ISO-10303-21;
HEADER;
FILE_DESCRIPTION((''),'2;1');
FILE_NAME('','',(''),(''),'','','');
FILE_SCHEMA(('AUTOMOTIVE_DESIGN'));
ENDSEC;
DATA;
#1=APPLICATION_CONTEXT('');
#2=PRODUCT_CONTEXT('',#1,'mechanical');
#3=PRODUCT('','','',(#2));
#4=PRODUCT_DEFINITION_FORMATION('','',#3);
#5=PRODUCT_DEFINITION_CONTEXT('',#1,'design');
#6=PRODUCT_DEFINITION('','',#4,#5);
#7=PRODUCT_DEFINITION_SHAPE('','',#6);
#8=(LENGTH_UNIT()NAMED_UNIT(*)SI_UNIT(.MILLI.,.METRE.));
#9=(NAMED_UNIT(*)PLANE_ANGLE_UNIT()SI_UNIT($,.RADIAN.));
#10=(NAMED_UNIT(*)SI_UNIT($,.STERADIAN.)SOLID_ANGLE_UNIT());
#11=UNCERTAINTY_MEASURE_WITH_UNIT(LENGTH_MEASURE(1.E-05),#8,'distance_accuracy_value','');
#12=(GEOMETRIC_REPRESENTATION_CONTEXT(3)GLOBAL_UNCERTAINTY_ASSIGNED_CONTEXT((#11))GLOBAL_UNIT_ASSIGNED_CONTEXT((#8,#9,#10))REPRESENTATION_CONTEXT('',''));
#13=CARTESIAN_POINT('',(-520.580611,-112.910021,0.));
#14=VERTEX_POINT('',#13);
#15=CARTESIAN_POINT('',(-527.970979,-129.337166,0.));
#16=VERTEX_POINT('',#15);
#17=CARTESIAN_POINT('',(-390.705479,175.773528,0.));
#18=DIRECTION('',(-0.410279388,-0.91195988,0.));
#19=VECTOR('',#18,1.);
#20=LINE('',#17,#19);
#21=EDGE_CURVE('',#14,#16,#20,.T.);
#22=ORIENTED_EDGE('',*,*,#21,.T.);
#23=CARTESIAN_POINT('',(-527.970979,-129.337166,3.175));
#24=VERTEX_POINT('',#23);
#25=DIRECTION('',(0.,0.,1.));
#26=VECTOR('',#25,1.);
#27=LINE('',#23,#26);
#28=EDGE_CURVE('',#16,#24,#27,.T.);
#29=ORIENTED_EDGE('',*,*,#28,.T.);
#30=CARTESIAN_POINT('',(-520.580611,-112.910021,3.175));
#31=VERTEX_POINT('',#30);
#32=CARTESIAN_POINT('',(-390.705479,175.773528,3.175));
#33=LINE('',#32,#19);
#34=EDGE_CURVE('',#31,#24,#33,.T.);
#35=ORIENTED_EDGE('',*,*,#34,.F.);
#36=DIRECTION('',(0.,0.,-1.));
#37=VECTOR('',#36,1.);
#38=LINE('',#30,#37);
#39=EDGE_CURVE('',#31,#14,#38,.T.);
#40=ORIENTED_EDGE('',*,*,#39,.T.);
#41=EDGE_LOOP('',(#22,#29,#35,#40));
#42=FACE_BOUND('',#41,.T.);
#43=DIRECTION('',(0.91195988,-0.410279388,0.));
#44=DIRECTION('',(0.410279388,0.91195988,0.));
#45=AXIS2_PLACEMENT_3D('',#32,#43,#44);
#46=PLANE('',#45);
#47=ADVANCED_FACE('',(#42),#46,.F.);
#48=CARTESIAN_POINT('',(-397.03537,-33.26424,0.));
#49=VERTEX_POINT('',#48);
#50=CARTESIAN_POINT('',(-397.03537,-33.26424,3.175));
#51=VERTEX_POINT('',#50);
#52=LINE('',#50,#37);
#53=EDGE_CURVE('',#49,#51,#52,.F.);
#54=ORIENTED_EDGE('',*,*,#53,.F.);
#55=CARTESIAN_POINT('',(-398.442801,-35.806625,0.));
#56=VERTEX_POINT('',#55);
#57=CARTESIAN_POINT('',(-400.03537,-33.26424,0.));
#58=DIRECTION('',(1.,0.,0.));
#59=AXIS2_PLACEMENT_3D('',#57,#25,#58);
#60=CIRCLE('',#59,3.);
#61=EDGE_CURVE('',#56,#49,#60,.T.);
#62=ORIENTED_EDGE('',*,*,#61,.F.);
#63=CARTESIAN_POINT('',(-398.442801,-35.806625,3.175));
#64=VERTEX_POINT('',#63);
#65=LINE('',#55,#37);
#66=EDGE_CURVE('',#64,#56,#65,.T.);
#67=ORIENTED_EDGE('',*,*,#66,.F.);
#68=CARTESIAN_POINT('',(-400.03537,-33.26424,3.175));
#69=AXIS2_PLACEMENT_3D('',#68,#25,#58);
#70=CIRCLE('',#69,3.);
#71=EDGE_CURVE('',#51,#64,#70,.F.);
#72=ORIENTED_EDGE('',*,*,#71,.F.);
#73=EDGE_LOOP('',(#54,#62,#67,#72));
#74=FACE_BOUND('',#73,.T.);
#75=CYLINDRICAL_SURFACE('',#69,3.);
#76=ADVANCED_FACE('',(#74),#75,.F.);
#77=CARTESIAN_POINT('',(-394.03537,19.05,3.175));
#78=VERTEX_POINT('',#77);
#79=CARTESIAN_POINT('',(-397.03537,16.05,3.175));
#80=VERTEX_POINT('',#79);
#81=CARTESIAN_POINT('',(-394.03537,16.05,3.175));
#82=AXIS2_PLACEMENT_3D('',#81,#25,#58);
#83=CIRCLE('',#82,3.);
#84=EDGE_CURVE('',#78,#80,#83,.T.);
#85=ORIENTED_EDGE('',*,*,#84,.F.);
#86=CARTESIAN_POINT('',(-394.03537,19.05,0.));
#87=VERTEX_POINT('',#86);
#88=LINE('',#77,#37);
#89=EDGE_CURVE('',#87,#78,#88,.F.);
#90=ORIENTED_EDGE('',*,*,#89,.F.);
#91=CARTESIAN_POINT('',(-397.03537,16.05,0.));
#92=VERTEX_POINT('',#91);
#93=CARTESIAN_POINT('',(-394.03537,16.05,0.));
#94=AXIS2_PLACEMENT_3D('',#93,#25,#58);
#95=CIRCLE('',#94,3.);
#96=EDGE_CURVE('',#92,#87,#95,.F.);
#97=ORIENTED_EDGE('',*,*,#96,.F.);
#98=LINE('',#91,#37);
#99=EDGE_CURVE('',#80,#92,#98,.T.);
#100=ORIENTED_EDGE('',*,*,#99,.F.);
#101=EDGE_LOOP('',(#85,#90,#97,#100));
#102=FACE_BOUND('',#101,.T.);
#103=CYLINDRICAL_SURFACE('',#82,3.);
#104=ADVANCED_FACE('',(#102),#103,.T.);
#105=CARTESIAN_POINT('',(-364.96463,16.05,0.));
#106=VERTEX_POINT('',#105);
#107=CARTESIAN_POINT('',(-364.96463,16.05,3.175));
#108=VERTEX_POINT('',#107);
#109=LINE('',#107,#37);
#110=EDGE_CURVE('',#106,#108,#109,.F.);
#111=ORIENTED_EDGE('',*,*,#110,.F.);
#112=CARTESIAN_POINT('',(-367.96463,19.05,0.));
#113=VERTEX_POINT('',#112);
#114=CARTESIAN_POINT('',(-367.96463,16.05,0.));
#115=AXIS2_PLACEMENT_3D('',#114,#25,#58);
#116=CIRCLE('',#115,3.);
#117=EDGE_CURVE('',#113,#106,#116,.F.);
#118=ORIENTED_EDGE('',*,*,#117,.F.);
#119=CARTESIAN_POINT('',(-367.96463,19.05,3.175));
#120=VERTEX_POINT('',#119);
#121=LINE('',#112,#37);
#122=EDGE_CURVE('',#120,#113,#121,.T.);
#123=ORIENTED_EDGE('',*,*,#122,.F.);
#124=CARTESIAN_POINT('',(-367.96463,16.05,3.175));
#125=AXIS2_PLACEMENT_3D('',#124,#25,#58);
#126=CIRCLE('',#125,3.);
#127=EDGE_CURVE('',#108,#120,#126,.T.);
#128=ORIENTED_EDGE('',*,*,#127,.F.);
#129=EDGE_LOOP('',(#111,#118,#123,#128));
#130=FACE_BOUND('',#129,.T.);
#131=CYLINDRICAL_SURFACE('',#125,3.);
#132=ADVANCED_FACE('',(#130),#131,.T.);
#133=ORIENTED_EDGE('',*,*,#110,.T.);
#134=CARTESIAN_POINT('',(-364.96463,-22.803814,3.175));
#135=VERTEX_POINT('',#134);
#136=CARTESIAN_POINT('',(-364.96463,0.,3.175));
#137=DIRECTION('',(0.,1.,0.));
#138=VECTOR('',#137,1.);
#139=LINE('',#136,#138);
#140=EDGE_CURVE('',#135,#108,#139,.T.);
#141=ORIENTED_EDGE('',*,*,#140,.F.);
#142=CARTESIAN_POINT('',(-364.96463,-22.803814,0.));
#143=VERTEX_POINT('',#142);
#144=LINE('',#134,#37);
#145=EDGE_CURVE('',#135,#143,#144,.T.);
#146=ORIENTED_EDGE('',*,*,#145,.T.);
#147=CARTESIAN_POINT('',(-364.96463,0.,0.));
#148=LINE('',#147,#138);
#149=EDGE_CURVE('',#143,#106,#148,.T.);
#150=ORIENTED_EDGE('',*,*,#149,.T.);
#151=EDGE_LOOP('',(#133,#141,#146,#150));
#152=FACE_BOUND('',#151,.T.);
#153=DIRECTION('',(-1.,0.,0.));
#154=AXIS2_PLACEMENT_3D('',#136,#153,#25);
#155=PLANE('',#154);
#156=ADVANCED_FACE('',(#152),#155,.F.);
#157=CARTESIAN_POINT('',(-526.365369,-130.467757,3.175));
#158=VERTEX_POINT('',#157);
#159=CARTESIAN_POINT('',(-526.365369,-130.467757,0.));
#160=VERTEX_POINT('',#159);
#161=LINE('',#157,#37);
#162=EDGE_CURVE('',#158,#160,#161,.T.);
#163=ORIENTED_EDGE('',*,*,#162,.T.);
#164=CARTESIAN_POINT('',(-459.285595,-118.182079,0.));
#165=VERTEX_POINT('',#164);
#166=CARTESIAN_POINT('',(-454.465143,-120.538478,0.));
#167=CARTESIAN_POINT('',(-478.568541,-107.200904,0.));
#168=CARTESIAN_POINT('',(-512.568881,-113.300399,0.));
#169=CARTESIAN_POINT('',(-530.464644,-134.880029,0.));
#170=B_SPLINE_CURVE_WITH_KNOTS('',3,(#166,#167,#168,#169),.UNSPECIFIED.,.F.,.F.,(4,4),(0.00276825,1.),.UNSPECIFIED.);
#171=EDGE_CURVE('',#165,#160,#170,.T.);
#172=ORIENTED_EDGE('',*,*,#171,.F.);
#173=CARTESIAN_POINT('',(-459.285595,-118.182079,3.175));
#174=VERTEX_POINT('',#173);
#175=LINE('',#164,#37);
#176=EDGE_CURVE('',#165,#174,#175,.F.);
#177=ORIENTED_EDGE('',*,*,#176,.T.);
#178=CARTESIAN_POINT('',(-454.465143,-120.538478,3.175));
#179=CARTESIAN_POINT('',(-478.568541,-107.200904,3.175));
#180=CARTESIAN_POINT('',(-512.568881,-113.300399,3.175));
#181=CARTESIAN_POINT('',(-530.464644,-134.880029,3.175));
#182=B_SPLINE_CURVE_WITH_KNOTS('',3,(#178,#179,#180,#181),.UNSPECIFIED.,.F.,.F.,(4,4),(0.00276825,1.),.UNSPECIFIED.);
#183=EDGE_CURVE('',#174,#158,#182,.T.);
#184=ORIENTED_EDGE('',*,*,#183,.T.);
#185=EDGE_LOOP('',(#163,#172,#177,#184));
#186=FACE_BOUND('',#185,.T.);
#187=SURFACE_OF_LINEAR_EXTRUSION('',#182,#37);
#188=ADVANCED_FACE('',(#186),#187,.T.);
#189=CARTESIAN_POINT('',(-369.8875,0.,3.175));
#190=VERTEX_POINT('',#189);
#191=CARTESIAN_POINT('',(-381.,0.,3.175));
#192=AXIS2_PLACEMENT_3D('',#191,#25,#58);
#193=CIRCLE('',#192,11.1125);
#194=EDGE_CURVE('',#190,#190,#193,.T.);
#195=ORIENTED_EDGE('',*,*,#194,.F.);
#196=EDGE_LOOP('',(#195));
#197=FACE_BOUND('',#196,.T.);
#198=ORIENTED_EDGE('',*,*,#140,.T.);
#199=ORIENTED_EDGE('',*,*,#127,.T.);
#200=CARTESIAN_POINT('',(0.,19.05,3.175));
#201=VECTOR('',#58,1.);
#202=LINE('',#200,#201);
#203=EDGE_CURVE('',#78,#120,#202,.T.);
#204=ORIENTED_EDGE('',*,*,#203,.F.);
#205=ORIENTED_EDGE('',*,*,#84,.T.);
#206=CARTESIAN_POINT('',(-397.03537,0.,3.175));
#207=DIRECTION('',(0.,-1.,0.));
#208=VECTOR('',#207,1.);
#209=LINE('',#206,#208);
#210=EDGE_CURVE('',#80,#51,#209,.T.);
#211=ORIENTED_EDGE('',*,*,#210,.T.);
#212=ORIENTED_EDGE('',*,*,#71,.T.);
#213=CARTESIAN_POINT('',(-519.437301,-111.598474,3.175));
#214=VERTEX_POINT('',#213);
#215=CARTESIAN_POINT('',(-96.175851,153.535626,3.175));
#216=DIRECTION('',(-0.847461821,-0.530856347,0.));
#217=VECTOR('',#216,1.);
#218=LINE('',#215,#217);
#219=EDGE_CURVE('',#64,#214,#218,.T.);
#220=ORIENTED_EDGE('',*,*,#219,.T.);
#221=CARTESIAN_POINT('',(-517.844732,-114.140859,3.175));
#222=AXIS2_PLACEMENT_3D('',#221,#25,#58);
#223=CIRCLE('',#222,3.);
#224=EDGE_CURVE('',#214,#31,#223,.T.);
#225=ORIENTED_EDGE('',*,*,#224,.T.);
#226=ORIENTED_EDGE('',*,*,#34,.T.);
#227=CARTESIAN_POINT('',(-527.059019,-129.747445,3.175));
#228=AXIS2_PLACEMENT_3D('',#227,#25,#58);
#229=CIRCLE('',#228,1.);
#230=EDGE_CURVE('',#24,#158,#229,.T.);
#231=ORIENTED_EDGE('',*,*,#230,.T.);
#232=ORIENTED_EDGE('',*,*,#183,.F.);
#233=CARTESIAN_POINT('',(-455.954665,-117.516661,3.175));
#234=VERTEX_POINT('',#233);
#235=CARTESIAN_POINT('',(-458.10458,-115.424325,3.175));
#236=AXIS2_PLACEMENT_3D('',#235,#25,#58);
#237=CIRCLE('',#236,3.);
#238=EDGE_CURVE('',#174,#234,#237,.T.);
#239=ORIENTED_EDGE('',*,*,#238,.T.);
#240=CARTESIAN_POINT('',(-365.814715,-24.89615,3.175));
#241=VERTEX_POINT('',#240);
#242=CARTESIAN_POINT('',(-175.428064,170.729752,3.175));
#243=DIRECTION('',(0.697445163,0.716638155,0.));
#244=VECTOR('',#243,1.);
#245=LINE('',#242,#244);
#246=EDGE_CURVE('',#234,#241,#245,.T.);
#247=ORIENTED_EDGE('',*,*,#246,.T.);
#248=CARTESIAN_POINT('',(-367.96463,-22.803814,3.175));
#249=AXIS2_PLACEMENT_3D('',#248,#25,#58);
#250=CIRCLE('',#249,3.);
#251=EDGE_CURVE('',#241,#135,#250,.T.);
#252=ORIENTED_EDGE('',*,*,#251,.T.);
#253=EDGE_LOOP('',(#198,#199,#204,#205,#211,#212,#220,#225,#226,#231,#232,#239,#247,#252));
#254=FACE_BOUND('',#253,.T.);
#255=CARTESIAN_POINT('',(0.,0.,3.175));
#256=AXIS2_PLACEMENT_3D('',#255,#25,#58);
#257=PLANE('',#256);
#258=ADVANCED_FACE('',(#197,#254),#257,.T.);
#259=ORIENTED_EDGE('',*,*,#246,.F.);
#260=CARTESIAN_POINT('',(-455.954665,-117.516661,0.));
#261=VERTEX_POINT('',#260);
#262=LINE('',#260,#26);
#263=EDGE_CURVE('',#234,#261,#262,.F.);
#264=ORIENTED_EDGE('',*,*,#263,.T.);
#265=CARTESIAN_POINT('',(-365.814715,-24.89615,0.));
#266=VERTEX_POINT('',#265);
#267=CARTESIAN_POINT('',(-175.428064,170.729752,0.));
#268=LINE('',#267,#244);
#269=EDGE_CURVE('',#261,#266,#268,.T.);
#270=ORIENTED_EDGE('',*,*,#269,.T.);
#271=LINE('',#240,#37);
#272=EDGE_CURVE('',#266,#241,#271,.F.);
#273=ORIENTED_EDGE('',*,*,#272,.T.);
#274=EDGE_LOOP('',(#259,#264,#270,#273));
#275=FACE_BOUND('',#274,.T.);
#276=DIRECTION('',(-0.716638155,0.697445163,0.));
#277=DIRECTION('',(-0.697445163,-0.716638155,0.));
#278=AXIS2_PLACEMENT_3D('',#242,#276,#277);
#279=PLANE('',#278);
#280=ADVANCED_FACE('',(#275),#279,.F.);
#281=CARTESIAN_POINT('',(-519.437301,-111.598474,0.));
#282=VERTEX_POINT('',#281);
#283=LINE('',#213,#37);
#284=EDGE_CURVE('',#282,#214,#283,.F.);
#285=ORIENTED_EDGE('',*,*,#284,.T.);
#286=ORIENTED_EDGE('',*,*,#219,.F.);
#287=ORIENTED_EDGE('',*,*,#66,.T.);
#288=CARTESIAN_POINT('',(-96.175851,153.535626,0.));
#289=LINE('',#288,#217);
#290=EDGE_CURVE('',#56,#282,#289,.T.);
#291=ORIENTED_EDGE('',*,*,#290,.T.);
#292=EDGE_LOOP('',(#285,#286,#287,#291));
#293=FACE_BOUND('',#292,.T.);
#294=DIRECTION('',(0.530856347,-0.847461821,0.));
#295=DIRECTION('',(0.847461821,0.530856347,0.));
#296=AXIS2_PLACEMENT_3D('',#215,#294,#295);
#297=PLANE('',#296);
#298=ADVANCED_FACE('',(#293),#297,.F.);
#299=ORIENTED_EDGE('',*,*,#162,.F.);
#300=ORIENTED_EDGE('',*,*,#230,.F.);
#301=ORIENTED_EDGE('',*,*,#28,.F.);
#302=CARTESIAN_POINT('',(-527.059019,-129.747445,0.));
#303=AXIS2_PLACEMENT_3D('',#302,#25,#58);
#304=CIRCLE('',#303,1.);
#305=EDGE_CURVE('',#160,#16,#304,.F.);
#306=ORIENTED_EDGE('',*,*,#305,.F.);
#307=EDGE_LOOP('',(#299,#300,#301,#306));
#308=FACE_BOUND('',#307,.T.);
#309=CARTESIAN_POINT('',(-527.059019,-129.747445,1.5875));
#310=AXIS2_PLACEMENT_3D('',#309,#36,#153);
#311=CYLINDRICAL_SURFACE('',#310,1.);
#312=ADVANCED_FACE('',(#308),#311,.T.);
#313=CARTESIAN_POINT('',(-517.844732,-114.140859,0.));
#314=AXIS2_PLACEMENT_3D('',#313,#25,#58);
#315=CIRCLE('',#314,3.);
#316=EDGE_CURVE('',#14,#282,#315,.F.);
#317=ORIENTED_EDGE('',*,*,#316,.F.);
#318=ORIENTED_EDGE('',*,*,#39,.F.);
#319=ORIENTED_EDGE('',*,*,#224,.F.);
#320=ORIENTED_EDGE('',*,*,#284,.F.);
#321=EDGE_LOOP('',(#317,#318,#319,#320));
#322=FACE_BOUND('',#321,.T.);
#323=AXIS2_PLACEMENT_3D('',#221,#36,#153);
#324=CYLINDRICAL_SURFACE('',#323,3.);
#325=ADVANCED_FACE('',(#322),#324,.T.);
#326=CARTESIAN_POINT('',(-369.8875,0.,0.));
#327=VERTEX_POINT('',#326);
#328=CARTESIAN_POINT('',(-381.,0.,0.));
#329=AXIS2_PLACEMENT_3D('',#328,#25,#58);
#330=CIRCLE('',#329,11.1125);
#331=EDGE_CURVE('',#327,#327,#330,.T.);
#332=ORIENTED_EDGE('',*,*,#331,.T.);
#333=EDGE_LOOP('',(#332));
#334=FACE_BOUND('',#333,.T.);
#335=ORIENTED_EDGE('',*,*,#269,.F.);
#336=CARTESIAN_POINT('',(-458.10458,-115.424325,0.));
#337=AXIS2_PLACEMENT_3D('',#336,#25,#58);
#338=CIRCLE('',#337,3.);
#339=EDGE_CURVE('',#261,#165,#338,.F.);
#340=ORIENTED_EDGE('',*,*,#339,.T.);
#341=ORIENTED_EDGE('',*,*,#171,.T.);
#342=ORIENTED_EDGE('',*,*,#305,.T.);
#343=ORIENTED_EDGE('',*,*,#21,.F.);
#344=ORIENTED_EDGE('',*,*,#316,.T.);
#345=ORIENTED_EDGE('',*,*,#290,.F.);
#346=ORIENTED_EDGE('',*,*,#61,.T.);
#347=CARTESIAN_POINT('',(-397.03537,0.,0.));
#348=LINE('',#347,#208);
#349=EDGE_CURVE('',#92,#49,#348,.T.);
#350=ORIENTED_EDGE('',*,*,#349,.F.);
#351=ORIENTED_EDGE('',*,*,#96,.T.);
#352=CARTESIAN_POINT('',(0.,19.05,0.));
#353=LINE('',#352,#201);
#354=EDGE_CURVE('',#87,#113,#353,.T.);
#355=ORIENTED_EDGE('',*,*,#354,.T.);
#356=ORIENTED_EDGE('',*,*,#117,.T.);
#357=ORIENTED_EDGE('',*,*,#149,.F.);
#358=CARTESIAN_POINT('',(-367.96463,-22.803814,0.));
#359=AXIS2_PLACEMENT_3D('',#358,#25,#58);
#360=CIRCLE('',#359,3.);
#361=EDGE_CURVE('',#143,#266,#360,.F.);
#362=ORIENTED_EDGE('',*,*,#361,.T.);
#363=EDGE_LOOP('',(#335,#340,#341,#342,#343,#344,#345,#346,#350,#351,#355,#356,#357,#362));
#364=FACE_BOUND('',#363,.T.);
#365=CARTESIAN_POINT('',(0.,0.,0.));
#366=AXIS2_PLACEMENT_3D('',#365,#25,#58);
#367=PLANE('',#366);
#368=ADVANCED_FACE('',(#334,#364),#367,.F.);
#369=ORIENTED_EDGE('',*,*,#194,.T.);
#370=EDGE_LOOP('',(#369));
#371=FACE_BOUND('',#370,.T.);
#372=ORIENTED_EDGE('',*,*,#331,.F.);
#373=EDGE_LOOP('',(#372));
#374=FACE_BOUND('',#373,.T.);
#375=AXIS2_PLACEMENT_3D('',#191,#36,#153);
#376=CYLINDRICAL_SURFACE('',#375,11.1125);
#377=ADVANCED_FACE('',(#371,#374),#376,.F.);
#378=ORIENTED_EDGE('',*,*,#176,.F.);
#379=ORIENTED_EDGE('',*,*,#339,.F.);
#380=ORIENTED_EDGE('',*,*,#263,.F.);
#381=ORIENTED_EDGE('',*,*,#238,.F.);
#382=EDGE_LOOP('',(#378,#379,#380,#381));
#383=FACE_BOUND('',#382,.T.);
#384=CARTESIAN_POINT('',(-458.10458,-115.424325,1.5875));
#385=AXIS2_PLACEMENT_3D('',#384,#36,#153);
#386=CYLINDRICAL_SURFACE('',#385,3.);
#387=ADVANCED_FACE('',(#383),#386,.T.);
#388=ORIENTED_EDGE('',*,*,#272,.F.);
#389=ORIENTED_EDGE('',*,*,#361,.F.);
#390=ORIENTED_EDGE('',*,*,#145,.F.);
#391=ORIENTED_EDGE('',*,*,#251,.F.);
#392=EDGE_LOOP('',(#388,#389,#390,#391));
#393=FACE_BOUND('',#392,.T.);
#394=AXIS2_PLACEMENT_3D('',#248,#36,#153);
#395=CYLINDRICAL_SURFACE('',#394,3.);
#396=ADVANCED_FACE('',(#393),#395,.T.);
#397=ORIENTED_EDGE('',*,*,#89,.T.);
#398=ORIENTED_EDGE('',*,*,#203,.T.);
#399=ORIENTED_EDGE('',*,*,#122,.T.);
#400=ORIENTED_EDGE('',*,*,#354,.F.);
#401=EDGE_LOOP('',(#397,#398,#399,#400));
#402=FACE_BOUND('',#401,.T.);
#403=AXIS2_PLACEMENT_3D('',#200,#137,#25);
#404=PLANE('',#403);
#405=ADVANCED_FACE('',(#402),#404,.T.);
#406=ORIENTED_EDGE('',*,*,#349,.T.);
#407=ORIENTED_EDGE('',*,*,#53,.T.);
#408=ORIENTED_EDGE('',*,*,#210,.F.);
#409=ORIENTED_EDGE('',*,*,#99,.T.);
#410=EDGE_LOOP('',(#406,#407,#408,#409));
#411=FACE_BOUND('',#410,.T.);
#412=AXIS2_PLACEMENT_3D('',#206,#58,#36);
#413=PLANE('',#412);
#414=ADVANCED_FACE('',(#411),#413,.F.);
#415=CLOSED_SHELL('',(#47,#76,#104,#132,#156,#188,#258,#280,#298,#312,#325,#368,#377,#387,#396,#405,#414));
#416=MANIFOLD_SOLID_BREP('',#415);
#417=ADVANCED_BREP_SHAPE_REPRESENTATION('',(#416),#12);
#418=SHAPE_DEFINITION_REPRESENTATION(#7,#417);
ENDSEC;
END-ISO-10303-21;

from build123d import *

# Parameters (mm, degrees)
SKETCH2_R           = 11.1125
BOSS_EXTRUDE1_DEPTH = 3.175
FILLET1_R           = 3
FILLET2_R           = 1


with BuildPart() as part:
    # Sketch2 → Boss-Extrude1 (new body)
    with BuildSketch(Plane.XY):
        with BuildLine():
            Line((-364.964629933, 19.05), (-397.035370067, 19.05))
            Line((-397.035370067, 19.05), (-397.035370067, -34.925))
            Line((-397.035370067, -34.925), (-520.207659615, -112.081032385))
            Line((-520.207659615, -112.081032385), (-530.464644327, -134.880029394))
            add(Edge.make_bspline(
                [(-457.420545856, -119.022880851), (-481.278146928, -107.716723517), (-513.288827873, -114.168548124), (-530.464644327, -134.880029394)],
                knots=[0.042886926, 0.042886926, 0.042886926, 0.042886926, 1, 1, 1, 1], degree=3))
            Line((-457.420545856, -119.022880851), (-364.964629933, -24.022670771))
            Line((-364.964629933, -24.022670771), (-364.964629933, 19.05))
        make_face()
        with Locations((-381, 0)):
            Circle(SKETCH2_R, mode=Mode.SUBTRACT)
    extrude(amount=BOSS_EXTRUDE1_DEPTH)

    # Fillet1
    fillet1_edges = [part.edges().sort_by_distance(p)[0] for p in [
        (-520.207659615, -112.081032385, 1.5875),
        (-397.035370067, -34.925, 1.5875),
        (-457.420545856, -119.022880851, 1.5875),
        (-364.964629933, -24.022670771, 1.5875),
        (-397.035370067, 19.05, 1.5875),
        (-364.964629933, 19.05, 1.5875),
    ]]
    fillet(fillet1_edges, radius=FILLET1_R)

    # Fillet2
    fillet2_edges = [part.edges().sort_by_distance(p)[0] for p in [
        (-530.464644327, -134.880029394, 1.5875),
    ]]
    fillet(fillet2_edges, radius=FILLET2_R)


solid = part.part
